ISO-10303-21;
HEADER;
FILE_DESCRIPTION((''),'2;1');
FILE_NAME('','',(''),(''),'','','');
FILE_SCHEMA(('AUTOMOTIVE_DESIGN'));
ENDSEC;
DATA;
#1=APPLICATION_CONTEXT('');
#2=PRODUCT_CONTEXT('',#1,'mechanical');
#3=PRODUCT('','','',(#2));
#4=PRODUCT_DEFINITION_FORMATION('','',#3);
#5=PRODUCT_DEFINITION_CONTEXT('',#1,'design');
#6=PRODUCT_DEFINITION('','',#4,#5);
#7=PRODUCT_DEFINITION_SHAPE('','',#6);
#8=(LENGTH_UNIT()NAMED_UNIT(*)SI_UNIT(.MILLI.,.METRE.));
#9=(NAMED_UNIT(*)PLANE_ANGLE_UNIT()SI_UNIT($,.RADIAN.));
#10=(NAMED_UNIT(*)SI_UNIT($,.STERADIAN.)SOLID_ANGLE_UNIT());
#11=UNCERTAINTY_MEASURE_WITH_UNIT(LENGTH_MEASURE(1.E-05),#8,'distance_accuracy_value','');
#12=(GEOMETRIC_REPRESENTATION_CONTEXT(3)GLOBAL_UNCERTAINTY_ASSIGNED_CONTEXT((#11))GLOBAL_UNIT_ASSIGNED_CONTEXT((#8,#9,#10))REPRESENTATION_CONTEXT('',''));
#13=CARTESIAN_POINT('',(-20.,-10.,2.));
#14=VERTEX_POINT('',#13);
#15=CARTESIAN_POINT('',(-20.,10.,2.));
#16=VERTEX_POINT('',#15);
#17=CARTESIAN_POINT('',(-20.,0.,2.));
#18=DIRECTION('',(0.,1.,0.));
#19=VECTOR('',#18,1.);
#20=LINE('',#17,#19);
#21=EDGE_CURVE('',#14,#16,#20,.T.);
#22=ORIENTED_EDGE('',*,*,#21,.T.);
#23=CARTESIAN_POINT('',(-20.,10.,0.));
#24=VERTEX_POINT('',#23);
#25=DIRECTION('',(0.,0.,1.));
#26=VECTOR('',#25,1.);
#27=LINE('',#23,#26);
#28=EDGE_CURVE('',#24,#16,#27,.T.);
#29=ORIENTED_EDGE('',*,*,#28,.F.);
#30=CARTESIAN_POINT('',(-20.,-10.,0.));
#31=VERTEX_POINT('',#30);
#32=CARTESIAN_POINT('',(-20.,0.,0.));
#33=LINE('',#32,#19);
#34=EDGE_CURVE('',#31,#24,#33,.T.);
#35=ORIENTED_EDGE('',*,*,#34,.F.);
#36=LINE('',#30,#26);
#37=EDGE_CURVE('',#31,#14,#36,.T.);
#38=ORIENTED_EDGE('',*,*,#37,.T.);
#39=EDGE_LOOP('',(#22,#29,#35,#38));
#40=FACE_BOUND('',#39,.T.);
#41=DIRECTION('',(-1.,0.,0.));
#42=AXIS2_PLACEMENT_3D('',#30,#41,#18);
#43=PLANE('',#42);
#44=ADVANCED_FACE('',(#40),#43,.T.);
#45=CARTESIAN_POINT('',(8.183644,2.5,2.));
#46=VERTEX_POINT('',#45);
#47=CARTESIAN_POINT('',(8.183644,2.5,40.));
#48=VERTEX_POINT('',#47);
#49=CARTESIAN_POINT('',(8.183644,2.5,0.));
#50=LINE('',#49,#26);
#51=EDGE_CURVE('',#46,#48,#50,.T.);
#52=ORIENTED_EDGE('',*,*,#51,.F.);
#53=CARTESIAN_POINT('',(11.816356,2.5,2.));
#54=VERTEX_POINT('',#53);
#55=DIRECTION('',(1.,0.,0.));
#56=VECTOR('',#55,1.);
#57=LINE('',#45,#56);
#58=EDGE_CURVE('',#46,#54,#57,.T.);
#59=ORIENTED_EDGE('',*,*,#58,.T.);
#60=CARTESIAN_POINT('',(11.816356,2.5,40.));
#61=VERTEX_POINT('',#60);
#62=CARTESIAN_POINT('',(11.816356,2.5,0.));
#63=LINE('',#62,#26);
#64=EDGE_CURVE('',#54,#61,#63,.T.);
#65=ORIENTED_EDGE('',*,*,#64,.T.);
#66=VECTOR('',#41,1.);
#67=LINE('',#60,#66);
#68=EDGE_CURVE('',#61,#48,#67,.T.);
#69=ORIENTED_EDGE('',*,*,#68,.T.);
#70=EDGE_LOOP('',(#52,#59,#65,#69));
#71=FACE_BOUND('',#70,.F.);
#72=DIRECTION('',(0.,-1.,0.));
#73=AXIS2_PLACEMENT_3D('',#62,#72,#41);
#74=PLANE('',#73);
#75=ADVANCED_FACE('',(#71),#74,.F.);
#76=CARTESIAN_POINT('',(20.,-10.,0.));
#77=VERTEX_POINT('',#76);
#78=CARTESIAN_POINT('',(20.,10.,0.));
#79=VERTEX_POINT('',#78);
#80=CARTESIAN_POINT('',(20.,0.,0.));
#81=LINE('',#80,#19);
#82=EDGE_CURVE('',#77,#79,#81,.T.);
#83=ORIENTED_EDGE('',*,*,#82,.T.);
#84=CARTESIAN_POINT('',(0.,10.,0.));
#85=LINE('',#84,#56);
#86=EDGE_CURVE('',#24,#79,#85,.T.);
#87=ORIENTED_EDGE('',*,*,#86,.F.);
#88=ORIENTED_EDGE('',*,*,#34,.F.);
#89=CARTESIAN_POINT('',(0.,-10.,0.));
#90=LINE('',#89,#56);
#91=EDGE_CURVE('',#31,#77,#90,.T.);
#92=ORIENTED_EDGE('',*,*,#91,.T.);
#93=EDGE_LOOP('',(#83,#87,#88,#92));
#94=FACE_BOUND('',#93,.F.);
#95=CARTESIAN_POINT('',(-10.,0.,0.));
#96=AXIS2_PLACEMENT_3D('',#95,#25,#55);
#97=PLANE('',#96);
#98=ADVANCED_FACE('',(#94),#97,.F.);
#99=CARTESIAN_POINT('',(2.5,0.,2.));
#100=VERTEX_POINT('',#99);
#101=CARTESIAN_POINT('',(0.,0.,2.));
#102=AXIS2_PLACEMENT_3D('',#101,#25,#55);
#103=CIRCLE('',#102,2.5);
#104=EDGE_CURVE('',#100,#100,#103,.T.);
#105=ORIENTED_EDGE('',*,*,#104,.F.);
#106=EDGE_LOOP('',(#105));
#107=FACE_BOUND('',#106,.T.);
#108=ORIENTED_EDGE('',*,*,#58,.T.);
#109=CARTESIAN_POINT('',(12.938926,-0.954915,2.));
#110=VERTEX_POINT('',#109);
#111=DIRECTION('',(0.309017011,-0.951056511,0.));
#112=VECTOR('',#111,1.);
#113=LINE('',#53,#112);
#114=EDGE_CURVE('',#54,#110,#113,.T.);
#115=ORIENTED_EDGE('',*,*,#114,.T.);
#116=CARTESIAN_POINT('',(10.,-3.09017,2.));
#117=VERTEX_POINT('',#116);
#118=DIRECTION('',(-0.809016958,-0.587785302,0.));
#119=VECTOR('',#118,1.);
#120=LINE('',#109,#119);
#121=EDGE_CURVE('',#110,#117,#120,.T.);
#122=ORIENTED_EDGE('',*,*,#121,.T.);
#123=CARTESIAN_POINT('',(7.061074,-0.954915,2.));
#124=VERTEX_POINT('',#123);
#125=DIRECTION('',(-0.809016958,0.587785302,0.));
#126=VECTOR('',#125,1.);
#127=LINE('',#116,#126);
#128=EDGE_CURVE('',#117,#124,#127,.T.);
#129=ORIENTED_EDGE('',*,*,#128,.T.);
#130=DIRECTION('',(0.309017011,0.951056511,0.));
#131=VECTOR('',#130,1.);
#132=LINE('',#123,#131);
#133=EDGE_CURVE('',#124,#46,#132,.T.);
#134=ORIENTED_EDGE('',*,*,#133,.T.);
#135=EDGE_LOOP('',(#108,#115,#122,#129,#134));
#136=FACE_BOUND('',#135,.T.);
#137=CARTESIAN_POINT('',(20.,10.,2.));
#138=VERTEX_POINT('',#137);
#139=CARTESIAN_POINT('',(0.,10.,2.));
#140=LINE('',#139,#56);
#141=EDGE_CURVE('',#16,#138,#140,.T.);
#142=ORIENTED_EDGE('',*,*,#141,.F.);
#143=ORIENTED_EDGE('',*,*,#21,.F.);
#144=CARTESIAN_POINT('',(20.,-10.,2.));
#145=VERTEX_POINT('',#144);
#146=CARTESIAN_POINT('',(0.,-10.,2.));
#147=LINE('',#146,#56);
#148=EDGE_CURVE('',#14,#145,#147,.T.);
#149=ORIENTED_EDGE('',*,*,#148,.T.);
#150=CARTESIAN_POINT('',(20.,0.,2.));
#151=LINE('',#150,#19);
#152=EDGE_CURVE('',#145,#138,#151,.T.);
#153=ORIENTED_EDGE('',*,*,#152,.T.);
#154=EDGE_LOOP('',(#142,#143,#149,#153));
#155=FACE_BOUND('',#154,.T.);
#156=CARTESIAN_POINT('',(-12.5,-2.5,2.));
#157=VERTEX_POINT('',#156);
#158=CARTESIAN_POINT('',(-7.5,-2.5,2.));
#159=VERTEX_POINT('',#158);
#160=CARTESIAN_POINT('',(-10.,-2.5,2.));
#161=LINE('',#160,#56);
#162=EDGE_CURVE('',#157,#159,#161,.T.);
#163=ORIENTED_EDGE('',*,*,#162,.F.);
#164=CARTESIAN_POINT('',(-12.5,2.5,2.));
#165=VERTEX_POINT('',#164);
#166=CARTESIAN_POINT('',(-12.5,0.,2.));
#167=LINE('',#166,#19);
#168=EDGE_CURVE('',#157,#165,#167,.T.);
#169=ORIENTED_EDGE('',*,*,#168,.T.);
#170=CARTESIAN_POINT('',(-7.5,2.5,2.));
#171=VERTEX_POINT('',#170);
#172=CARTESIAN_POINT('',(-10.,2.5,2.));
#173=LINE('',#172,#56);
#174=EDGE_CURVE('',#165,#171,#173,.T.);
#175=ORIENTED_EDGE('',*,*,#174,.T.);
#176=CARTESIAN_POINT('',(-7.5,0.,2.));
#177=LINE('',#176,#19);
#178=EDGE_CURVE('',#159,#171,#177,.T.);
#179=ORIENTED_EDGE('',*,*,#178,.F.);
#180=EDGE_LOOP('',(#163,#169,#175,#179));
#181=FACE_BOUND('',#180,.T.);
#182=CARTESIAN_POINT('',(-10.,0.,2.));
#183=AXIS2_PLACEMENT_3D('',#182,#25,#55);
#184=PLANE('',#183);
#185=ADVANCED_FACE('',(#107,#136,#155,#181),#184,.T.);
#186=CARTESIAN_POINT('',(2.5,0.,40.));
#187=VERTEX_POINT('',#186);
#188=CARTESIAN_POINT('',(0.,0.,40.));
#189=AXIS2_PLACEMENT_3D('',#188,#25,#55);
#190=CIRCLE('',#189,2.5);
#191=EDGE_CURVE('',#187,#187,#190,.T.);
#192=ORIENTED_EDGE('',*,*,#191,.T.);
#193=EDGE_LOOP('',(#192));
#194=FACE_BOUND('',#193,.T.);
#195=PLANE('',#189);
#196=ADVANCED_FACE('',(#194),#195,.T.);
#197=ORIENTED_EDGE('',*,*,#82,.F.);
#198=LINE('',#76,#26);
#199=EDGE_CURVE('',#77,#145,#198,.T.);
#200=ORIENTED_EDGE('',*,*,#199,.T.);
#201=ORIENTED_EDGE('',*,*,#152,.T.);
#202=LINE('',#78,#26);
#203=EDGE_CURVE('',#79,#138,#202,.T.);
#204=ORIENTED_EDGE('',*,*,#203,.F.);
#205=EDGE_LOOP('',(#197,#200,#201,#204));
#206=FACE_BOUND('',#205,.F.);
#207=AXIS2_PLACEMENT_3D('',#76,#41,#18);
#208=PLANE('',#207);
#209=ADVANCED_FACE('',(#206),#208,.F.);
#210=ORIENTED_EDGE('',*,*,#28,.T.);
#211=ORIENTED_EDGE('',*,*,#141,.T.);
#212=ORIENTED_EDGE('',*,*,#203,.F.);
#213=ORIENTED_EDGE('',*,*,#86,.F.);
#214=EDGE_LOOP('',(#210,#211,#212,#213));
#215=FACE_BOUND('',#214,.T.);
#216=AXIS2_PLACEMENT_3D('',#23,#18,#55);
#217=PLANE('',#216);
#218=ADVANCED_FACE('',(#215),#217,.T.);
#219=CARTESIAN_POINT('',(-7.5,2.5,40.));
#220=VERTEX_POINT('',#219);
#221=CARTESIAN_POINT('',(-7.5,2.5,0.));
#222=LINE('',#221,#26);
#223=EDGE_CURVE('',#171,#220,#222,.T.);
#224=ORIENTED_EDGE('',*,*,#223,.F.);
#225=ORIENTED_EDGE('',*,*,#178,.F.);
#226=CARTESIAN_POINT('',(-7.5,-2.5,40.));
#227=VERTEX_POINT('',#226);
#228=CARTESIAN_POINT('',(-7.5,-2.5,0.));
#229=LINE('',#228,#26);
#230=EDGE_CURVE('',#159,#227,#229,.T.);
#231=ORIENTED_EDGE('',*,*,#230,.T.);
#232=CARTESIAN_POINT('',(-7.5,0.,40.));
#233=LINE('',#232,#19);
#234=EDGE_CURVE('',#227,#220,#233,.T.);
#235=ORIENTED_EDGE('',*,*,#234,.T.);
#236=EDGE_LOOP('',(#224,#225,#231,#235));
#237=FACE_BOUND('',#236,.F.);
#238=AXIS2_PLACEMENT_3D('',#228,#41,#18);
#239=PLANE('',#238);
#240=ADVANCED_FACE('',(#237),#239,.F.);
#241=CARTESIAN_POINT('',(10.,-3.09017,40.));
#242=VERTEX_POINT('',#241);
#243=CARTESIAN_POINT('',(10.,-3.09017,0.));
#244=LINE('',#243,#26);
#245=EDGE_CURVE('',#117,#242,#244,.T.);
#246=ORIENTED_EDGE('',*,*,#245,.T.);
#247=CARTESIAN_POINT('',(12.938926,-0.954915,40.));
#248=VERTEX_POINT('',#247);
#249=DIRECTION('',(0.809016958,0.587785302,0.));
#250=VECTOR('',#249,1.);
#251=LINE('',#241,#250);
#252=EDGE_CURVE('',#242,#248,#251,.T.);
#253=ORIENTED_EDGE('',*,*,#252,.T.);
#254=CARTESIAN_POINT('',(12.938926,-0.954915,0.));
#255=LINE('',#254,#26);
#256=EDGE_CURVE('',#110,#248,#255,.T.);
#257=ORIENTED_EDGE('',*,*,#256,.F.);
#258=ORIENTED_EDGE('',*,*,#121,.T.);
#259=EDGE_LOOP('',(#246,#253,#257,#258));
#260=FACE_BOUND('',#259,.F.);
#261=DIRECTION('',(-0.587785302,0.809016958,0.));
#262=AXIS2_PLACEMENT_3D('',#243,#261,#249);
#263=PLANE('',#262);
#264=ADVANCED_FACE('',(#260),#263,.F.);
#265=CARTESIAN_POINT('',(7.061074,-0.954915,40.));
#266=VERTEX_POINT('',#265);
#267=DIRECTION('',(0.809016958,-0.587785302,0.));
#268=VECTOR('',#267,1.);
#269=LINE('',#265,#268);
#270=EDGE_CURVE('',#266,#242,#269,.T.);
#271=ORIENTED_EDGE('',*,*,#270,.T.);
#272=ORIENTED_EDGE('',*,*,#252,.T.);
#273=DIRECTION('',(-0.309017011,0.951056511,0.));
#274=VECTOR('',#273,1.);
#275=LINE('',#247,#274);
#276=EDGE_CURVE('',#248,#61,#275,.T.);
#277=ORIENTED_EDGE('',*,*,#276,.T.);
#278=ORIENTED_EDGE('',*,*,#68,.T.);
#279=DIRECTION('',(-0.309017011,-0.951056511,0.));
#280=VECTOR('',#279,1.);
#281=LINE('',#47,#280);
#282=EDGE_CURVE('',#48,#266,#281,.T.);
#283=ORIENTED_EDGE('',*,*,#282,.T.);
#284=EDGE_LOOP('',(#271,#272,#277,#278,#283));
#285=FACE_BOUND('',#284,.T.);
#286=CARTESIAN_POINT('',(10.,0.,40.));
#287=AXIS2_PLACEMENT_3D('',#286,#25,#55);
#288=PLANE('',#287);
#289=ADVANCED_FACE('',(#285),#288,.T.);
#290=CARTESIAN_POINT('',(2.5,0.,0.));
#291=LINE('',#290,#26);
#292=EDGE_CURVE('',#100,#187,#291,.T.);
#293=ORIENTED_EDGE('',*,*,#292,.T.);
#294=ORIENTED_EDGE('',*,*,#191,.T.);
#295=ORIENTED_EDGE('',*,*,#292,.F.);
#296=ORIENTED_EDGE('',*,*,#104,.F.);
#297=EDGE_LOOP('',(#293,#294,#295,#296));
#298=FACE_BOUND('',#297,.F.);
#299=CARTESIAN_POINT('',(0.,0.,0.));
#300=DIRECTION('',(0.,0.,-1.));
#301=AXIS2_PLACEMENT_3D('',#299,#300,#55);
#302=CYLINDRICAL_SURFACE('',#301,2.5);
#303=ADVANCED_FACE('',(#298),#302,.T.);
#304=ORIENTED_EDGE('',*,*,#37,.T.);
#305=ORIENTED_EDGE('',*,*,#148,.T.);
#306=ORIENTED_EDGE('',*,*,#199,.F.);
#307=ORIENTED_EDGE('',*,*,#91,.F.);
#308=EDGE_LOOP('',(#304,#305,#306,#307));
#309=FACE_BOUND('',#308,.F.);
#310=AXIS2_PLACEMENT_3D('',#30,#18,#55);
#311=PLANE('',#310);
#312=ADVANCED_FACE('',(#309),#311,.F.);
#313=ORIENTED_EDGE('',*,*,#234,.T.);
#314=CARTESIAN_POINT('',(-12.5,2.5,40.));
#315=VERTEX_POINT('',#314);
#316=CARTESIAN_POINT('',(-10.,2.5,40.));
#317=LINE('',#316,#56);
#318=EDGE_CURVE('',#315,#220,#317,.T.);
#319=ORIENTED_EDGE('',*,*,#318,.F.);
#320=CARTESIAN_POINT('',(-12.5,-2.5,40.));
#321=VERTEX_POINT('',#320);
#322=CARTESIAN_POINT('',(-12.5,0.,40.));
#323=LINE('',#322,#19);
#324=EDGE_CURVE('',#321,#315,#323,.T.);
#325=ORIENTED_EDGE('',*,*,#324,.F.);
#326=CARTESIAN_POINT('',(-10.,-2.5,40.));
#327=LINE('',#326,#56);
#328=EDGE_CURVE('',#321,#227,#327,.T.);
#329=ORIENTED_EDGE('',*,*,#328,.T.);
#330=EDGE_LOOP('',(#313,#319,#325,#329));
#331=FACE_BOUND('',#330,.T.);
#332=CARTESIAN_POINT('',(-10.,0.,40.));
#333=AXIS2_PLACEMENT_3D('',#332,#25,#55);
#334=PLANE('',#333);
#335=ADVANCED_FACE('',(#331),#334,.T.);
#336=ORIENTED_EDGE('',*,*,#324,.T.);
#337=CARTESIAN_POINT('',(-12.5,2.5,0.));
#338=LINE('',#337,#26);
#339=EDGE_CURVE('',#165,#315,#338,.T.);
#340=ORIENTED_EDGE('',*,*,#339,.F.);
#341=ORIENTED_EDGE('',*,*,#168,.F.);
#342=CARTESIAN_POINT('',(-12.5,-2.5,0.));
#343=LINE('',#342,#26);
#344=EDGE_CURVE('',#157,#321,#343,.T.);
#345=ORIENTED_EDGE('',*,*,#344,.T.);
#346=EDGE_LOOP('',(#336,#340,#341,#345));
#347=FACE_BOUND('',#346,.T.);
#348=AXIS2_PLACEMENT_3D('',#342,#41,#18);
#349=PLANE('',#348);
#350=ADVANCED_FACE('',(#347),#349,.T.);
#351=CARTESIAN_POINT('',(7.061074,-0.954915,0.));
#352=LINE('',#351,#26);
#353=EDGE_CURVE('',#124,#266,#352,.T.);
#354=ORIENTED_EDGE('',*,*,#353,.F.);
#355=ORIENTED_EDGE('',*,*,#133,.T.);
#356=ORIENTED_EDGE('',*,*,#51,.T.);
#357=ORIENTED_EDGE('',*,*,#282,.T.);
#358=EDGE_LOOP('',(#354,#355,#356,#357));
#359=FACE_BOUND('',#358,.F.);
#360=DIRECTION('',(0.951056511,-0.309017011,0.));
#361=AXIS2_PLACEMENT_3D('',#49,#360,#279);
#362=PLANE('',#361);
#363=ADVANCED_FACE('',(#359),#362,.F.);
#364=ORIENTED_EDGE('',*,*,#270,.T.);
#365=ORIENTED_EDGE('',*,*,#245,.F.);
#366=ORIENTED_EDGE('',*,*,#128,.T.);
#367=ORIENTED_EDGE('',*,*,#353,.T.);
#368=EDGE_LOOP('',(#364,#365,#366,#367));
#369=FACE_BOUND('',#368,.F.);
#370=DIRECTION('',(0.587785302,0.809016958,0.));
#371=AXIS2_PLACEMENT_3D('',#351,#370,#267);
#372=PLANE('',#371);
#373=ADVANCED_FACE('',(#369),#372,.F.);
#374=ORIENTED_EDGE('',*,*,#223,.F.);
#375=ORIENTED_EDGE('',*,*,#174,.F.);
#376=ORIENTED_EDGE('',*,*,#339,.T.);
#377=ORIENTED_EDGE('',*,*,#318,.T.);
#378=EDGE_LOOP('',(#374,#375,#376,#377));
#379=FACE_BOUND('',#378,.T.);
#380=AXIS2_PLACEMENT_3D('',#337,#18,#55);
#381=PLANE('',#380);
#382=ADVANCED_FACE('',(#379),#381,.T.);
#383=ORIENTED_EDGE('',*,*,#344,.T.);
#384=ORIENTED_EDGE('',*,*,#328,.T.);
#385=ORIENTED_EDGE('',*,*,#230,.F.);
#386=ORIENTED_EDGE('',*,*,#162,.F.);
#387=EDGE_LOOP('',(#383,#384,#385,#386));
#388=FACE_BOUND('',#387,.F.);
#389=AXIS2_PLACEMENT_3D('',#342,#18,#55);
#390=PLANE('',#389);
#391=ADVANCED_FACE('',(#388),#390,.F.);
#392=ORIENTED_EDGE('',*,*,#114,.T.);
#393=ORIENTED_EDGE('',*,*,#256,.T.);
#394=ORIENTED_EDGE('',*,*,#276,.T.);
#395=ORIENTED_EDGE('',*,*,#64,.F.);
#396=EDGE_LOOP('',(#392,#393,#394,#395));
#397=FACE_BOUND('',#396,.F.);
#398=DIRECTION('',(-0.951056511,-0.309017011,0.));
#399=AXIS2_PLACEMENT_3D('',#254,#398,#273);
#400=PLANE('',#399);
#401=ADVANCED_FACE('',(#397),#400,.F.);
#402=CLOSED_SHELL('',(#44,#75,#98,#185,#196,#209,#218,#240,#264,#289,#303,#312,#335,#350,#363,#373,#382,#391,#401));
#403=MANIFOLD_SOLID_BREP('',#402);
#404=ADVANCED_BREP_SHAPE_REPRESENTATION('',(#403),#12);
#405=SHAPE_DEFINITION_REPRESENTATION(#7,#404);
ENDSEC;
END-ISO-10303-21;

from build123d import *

# Parameters (mm, degrees)
F0_W     = 5
F0_H     = 5
F0_R     = 2.5
F0_W_2   = 40
F0_H_2   = 20
F1_DEPTH = 2
F2_DEPTH = 40


with BuildPart() as f1:
    # F0 (on Top) → F1 (new body)
    with BuildSketch(Plane.XY):
        with Locations((-10, 0)):
            Rectangle(F0_W, F0_H)
        Circle(F0_R)
        Polygon((11.816356, 2.5), (8.183644, 2.5), (7.061074, -0.954915), (10, -3.09017), (12.938926, -0.954915), align=None)
        Rectangle(F0_W_2, F0_H_2)
        Polygon((7.061074, -0.954915), (8.183644, 2.5), (11.816356, 2.5), (12.938926, -0.954915), (10, -3.09017), align=None, mode=Mode.SUBTRACT)
        with Locations((-10, 0)):
            Rectangle(F0_W, F0_H, mode=Mode.SUBTRACT)
        Circle(F0_R, mode=Mode.SUBTRACT)
    extrude(amount=F1_DEPTH)

    # F0 (on Top) → F2 (join)
    with BuildSketch(Plane.XY):
        with Locations((-10, 0)):
            Rectangle(F0_W, F0_H)
        Circle(F0_R)
        Polygon((11.816356, 2.5), (8.183644, 2.5), (7.061074, -0.954915), (10, -3.09017), (12.938926, -0.954915), align=None)
    extrude(amount=F2_DEPTH)


solid = f1.part
